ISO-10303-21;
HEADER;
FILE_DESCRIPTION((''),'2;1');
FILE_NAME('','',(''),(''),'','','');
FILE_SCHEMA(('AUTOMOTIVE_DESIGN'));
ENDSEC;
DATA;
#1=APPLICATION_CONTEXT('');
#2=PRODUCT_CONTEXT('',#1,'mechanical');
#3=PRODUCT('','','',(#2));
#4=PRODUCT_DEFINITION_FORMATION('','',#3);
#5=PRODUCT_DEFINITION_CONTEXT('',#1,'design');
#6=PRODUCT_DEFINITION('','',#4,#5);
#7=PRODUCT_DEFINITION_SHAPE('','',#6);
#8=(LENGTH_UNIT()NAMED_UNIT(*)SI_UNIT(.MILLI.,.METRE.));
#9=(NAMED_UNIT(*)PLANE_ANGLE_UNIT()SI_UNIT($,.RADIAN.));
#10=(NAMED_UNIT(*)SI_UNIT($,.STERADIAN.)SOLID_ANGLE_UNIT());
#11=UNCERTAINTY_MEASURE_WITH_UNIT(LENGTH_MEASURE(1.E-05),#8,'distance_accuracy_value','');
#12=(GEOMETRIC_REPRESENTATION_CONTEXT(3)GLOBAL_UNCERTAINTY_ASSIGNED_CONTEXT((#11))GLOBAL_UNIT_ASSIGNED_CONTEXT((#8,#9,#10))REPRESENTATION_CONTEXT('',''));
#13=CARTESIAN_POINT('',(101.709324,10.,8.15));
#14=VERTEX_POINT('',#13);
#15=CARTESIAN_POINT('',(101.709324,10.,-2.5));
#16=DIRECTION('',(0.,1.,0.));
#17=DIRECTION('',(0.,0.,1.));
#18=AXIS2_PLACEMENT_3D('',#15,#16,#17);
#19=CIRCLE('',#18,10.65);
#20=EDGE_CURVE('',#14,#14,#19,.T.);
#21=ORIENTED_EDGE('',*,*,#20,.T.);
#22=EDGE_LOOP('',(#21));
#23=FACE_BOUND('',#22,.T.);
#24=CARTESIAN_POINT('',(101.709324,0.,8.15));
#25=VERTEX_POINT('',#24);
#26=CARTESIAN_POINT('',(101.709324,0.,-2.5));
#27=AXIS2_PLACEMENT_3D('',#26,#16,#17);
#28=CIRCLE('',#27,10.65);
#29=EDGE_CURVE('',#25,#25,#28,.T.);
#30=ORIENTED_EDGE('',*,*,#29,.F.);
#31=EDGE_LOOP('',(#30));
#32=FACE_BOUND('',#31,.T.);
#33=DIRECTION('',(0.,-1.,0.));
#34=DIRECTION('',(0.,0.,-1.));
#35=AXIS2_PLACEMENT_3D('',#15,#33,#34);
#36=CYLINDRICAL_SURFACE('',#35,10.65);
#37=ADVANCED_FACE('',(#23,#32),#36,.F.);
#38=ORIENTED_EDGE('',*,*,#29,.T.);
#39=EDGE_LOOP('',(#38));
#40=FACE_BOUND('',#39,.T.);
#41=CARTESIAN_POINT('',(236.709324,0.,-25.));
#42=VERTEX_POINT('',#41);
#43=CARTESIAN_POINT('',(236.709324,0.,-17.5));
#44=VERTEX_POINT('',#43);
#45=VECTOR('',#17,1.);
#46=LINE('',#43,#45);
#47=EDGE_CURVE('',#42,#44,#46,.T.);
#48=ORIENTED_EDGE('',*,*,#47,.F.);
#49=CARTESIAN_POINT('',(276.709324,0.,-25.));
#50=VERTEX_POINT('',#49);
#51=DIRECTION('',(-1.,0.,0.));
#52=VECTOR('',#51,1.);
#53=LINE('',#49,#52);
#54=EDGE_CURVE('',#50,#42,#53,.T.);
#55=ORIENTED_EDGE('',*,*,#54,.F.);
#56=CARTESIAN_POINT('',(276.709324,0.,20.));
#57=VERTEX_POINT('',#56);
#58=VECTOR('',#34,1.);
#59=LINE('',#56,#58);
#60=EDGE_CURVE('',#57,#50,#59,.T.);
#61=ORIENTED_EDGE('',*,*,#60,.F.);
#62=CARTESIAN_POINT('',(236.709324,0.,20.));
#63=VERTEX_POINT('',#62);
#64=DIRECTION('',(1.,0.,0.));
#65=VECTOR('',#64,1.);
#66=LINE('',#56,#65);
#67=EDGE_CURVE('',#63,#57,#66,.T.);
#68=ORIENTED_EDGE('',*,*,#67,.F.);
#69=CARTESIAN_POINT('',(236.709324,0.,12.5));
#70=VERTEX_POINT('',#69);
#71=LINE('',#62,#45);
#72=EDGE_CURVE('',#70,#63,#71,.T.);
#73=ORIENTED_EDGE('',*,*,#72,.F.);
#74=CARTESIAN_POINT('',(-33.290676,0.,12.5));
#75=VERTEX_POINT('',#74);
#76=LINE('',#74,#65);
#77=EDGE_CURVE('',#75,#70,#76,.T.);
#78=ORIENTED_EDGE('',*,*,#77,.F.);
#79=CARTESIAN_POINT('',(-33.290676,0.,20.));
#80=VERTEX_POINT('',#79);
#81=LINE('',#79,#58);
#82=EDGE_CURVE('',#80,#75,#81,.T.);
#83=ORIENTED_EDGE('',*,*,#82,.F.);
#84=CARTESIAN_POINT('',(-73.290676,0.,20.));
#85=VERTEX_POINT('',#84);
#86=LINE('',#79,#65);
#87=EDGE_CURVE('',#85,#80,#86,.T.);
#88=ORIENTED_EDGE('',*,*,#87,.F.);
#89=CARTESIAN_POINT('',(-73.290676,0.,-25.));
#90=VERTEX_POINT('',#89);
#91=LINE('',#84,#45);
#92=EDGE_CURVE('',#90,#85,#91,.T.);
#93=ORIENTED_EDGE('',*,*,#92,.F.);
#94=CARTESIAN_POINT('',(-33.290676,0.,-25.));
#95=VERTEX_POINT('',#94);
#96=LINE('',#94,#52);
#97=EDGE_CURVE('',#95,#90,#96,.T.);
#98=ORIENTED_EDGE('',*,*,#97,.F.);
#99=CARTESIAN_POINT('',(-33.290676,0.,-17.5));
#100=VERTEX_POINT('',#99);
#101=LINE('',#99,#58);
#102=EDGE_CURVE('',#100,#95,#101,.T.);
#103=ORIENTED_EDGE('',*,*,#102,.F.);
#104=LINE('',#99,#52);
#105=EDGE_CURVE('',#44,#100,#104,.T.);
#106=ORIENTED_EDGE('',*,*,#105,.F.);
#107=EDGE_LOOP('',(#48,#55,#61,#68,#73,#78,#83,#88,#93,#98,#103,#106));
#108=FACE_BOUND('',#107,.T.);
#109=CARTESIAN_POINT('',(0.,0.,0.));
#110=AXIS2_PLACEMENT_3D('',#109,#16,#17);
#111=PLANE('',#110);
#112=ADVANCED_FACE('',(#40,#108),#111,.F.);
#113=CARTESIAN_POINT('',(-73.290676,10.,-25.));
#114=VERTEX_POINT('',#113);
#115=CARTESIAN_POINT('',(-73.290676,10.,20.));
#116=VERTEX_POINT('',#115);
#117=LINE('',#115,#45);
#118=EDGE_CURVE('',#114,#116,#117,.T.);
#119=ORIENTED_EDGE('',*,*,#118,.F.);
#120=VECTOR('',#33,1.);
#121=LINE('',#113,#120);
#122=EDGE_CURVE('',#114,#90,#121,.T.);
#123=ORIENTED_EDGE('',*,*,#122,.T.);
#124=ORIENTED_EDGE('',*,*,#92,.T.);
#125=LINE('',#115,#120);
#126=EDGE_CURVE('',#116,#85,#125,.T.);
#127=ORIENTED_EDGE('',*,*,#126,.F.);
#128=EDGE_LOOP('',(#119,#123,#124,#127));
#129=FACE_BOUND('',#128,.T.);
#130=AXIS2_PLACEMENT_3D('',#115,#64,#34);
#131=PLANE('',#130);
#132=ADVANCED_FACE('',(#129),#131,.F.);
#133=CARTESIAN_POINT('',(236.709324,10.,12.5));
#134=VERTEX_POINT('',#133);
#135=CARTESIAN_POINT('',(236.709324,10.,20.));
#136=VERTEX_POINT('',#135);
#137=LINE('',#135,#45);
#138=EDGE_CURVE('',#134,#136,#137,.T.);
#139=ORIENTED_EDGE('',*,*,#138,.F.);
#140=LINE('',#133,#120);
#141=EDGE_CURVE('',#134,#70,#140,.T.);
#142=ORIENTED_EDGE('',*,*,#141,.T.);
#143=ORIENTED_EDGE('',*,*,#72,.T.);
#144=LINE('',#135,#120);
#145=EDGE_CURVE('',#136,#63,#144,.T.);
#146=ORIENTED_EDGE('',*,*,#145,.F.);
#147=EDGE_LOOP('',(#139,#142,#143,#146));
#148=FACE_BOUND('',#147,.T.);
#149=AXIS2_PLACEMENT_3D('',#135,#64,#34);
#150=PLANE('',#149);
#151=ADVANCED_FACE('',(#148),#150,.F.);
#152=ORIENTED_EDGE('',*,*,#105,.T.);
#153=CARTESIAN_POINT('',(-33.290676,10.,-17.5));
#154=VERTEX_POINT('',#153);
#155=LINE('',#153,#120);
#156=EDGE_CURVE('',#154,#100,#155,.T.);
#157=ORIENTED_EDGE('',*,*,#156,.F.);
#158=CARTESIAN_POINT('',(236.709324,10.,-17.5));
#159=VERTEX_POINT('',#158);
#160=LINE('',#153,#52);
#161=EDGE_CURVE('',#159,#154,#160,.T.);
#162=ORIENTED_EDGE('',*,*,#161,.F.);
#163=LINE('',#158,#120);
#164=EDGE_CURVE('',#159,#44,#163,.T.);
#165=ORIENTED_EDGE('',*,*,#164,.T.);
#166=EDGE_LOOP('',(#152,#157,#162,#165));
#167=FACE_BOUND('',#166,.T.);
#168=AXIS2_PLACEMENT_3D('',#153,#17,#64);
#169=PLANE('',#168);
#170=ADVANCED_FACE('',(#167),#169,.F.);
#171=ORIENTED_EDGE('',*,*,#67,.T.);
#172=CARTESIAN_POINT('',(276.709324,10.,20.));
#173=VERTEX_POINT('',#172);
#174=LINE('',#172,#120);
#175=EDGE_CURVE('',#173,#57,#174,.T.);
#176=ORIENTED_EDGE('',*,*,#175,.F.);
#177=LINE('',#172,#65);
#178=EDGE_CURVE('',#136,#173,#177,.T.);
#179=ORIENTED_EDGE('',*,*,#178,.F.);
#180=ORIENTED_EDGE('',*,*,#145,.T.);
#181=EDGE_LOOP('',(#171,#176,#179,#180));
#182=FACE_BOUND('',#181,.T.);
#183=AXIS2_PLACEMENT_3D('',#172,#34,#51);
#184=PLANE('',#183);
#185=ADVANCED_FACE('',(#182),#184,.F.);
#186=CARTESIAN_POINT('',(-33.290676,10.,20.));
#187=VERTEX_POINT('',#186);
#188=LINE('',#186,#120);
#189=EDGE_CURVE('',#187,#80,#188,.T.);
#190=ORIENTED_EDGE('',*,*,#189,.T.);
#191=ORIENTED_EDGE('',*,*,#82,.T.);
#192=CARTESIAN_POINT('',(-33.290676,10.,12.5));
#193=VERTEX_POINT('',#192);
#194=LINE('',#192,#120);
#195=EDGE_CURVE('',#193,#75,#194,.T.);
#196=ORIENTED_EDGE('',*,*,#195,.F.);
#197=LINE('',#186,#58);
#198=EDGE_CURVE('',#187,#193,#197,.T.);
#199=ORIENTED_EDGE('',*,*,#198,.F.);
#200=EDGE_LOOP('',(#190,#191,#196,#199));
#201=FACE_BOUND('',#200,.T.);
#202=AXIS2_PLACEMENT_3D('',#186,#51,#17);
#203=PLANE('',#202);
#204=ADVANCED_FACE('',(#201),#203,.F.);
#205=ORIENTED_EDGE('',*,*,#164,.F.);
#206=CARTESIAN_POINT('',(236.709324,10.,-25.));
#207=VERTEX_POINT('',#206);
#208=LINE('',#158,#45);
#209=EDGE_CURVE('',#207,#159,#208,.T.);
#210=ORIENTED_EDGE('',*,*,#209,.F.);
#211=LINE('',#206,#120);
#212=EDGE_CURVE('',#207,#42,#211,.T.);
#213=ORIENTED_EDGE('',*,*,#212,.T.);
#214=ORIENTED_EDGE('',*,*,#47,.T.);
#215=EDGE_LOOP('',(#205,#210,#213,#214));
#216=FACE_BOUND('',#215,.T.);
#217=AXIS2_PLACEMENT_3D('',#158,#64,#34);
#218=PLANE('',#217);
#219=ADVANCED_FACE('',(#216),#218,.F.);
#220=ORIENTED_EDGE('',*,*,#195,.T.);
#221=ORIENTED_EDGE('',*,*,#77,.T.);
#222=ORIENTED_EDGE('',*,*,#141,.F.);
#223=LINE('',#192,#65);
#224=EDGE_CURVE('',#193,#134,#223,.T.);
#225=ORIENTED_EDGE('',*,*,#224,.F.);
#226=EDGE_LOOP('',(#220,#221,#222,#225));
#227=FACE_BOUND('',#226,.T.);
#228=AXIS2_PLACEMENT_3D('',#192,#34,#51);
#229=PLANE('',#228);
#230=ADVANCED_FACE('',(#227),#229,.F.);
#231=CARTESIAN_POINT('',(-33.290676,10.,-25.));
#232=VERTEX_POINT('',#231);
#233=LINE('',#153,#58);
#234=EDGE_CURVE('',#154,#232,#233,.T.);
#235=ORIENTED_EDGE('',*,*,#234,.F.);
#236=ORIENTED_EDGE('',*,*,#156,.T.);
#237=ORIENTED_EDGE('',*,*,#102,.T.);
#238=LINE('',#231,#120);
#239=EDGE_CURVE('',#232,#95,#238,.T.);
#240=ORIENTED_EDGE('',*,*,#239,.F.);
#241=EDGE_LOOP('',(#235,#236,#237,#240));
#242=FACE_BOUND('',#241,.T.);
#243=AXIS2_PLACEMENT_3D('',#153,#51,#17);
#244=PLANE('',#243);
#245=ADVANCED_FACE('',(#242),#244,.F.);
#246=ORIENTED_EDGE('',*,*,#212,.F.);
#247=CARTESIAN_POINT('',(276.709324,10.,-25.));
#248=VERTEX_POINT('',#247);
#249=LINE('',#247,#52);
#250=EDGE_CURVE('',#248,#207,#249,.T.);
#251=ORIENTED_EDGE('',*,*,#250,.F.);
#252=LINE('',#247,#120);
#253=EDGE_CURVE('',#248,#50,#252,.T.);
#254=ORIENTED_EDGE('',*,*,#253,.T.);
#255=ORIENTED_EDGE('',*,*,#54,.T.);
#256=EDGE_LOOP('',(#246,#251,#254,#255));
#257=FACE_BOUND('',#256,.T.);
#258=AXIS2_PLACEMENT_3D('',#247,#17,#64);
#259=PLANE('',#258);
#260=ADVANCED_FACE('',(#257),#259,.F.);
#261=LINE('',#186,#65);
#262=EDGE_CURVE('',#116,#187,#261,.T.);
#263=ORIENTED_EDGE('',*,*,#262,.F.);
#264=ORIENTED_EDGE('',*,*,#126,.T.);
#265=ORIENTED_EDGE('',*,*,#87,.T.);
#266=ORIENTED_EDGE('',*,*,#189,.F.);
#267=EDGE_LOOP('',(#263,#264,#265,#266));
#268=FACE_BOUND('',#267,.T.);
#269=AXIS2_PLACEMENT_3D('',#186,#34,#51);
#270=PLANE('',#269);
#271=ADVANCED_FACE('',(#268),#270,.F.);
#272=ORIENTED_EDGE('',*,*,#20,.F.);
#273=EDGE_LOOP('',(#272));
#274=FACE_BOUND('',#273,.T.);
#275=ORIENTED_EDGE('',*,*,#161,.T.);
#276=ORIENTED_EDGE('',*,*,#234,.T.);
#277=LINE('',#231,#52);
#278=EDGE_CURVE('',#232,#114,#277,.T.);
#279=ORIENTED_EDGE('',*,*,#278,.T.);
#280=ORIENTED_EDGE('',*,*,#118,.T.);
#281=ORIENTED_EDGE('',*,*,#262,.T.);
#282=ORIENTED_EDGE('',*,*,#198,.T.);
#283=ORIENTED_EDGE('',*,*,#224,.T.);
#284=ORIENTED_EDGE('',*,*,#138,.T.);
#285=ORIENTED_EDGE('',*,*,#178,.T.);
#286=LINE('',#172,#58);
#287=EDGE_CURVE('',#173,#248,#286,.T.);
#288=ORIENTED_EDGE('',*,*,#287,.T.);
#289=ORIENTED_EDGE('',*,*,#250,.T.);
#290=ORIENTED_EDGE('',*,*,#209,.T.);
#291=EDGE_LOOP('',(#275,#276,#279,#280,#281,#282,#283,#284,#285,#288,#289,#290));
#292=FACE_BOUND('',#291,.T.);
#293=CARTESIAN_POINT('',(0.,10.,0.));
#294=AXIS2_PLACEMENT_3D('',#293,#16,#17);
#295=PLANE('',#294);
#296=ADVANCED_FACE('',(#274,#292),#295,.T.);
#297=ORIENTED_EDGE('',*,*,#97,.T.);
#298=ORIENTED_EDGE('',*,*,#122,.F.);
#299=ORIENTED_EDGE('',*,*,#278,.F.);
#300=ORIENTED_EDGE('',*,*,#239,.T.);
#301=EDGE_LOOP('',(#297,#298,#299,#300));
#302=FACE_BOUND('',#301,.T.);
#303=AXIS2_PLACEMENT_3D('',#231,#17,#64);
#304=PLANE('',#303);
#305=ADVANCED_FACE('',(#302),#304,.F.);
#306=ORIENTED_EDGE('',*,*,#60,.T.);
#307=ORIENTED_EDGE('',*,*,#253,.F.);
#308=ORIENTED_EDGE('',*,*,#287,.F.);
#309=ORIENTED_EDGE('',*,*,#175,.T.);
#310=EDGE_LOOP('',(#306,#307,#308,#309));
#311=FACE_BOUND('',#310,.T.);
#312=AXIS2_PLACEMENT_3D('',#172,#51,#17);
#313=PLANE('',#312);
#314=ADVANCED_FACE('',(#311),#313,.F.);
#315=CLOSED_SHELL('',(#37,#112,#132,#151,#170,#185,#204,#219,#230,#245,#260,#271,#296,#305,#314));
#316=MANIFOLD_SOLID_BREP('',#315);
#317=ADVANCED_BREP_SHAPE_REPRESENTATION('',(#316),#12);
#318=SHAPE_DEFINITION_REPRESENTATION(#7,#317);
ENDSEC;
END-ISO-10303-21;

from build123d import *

# Parameters (mm, degrees)
SKETCH1_R           = 10.65
BOSS_EXTRUDE1_DEPTH = 10


with BuildPart() as part:
    # Sketch1 → Boss-Extrude1 (new body)
    with BuildSketch(Plane(origin=(0, 0, 0), x_dir=(1, 0, 0), z_dir=(0, 1, 0))):
        Polygon((-33.290676075, 17.5), (236.709323925, 17.5), (236.709323925, 25), (276.709323925, 25), (276.709323925, -20), (236.709323925, -20), (236.709323925, -12.5), (-33.290676075, -12.5), (-33.290676075, -20), (-73.290676075, -20), (-73.290676075, 25), (-33.290676075, 25), align=None)
        with Locations(Location((101.709323925, 2.5, 0), (0, 0, 270))):
            Circle(SKETCH1_R, mode=Mode.SUBTRACT)
    extrude(amount=BOSS_EXTRUDE1_DEPTH)


solid = part.part
